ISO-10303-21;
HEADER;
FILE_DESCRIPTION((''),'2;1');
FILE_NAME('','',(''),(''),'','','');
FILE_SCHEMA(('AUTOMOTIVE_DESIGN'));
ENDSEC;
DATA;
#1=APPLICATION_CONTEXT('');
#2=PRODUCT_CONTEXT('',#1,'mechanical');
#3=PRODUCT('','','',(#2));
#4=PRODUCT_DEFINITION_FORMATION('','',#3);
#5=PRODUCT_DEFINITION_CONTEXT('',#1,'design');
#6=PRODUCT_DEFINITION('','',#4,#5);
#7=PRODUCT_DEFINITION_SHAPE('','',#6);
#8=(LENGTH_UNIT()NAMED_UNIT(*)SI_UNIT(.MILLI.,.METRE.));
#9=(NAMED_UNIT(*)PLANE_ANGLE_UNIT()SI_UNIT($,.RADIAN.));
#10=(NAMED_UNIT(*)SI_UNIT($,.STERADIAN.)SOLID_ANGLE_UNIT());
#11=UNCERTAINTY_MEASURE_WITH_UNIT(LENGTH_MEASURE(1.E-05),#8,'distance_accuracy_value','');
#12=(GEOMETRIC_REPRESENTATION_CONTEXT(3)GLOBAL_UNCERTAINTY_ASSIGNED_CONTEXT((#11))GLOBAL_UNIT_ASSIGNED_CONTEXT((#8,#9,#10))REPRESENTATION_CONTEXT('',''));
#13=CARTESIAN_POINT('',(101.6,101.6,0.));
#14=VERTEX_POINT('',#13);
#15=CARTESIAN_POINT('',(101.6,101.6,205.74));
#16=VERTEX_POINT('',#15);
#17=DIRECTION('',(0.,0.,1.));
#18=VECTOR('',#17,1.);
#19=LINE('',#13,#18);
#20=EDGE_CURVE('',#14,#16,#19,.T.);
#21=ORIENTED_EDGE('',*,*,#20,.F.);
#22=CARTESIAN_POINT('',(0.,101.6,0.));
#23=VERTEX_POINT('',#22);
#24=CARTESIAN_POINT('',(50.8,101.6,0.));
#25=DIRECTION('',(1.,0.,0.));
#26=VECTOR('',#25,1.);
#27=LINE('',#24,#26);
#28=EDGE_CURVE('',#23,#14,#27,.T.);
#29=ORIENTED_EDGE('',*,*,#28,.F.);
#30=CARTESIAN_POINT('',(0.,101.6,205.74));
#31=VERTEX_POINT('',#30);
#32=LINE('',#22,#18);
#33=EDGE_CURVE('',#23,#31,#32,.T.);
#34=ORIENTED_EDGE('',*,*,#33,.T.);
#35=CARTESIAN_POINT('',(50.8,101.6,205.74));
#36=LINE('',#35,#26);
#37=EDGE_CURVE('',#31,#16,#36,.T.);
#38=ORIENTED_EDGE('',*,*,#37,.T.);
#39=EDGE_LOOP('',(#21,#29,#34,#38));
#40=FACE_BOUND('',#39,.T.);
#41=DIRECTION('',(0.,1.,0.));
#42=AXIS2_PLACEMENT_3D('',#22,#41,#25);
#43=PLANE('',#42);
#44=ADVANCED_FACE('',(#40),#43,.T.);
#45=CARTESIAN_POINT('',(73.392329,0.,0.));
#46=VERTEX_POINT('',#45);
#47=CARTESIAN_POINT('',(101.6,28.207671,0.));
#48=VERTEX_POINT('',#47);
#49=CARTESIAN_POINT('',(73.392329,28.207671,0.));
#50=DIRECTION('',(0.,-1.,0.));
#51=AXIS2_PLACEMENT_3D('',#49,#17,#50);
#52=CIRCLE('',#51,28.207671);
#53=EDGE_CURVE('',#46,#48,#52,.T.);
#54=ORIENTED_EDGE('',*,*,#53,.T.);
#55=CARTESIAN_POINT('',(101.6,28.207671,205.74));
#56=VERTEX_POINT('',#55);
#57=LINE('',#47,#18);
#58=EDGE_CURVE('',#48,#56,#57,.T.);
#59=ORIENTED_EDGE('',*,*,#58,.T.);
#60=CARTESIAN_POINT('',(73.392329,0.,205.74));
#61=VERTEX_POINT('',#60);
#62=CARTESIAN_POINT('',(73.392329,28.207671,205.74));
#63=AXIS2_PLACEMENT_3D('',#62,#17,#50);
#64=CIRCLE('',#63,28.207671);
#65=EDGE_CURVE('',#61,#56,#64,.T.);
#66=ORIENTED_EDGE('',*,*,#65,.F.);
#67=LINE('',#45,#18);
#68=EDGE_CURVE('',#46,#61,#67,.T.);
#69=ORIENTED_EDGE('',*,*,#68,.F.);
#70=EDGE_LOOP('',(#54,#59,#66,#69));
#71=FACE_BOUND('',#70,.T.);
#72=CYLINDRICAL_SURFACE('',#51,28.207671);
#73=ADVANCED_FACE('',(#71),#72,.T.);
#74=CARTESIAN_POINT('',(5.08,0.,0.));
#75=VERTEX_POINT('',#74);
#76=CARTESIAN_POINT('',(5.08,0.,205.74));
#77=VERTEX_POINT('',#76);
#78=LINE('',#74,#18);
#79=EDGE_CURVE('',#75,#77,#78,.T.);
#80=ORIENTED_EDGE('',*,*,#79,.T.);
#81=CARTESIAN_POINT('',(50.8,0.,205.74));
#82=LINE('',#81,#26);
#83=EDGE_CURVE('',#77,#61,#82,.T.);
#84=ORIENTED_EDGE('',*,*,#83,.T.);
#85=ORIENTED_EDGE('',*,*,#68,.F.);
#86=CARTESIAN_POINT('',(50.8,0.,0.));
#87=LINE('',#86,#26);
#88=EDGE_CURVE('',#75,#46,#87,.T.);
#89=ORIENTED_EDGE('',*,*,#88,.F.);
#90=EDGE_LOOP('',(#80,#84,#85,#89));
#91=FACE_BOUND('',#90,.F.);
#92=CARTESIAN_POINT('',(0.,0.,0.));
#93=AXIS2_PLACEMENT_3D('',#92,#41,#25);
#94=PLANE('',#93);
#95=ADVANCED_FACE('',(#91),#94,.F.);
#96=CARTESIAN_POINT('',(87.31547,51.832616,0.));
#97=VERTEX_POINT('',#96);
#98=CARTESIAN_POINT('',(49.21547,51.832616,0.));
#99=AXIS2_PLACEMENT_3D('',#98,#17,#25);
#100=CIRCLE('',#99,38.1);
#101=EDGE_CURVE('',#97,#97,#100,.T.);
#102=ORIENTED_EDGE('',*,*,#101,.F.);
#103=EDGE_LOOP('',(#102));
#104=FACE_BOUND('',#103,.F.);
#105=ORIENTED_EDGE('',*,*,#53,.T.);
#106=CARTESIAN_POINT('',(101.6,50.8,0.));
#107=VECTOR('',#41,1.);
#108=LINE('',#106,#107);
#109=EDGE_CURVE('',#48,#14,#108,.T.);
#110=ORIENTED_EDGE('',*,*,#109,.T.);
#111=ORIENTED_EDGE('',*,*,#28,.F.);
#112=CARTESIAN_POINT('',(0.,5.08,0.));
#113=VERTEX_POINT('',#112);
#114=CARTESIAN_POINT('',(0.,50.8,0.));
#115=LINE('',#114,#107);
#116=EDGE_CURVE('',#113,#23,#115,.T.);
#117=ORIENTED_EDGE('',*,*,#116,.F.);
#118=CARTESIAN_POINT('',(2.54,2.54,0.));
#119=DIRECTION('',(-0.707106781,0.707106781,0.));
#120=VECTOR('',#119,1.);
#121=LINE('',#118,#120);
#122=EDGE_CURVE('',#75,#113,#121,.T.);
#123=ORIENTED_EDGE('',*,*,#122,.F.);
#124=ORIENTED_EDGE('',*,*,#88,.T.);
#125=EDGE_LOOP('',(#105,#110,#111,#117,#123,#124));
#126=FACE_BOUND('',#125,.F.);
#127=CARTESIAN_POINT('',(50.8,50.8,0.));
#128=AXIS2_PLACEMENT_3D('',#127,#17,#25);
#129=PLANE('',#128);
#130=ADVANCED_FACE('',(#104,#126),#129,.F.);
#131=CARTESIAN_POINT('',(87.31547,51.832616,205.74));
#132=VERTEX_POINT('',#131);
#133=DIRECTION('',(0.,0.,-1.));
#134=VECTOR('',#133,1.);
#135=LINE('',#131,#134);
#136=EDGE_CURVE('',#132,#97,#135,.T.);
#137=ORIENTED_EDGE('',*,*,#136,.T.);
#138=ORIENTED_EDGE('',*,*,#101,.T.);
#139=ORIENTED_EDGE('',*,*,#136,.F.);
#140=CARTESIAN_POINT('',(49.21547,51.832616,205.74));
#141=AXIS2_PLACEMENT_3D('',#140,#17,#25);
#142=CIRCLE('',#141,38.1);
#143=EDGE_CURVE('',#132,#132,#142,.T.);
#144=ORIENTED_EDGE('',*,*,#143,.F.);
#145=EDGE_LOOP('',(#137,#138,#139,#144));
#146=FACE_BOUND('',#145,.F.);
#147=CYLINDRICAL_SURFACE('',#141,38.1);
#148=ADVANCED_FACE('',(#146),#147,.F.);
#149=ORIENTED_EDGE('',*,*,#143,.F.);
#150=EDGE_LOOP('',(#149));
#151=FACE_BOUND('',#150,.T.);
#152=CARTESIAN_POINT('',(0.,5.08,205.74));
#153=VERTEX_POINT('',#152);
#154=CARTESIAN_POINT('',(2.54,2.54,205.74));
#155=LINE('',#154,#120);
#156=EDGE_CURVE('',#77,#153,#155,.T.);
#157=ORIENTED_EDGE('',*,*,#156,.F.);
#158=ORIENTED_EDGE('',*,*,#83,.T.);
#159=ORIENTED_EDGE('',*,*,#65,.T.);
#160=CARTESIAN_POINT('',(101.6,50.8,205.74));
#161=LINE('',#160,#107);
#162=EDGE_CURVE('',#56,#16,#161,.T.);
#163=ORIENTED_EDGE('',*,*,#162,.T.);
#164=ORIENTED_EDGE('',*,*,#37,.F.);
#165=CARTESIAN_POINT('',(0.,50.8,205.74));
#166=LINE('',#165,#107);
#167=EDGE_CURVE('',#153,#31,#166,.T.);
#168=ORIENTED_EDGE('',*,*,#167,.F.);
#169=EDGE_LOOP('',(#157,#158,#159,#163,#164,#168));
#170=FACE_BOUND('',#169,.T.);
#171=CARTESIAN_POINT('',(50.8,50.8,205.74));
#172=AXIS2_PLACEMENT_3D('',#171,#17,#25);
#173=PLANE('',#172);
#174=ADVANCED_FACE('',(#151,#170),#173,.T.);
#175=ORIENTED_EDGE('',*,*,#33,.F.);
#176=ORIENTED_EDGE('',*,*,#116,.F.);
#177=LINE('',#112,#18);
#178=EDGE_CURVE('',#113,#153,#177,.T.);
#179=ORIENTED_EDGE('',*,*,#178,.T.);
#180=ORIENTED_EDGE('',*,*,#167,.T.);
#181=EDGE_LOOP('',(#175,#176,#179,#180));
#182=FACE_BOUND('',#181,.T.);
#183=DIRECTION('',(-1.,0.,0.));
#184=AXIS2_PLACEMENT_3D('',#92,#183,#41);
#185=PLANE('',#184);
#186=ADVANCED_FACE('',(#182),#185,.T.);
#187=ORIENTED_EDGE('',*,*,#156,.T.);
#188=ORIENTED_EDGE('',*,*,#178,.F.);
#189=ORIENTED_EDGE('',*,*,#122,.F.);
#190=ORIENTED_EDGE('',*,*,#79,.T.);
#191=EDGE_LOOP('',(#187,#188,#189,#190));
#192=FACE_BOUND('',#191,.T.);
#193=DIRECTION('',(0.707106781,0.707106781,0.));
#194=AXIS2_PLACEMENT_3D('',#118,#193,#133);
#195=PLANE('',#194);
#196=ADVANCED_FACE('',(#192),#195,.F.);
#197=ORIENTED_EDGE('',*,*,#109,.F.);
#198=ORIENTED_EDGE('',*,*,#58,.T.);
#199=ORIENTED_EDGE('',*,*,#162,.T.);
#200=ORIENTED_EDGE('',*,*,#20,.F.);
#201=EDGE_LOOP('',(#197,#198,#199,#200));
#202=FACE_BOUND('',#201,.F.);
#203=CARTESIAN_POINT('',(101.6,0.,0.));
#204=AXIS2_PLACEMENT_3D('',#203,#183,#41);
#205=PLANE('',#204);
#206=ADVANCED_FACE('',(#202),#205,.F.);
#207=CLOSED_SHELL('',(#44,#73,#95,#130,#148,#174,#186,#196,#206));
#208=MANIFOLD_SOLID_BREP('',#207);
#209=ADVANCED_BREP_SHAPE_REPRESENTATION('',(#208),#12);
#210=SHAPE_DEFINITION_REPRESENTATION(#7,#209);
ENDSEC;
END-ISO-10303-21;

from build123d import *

# Parameters (mm, degrees)
F0_W     = 101.6
F0_H     = 101.6
F1_DEPTH = 205.74
F3_R     = 38.1
F4_DEPTH = 205.741
F5_R     = 28.207671
F6_SIZE  = 5.08


with BuildPart() as f1:
    # F0 (on Top) → F1 (new body)
    with BuildSketch(Plane.XY):
        with Locations((50.8, 50.8)):
            Rectangle(F0_W, F0_H)
    extrude(amount=F1_DEPTH)

    # F3 (on face) → F4 (cut, through all)
    with BuildSketch(Plane.XY.offset(205.74)):
        with Locations((49.21547, 51.832616)):
            Circle(F3_R)
    extrude(amount=-F4_DEPTH, mode=Mode.SUBTRACT)

    # F5
    f5_edges = [f1.edges().sort_by_distance(p)[0] for p in [
        (101.6, 0, 102.87),
    ]]
    fillet(f5_edges, radius=F5_R)

    # F6
    f6_edges = [f1.edges().sort_by_distance(p)[0] for p in [
        (0, 0, 102.87),
    ]]
    chamfer(f6_edges, length=F6_SIZE)


solid = f1.part
